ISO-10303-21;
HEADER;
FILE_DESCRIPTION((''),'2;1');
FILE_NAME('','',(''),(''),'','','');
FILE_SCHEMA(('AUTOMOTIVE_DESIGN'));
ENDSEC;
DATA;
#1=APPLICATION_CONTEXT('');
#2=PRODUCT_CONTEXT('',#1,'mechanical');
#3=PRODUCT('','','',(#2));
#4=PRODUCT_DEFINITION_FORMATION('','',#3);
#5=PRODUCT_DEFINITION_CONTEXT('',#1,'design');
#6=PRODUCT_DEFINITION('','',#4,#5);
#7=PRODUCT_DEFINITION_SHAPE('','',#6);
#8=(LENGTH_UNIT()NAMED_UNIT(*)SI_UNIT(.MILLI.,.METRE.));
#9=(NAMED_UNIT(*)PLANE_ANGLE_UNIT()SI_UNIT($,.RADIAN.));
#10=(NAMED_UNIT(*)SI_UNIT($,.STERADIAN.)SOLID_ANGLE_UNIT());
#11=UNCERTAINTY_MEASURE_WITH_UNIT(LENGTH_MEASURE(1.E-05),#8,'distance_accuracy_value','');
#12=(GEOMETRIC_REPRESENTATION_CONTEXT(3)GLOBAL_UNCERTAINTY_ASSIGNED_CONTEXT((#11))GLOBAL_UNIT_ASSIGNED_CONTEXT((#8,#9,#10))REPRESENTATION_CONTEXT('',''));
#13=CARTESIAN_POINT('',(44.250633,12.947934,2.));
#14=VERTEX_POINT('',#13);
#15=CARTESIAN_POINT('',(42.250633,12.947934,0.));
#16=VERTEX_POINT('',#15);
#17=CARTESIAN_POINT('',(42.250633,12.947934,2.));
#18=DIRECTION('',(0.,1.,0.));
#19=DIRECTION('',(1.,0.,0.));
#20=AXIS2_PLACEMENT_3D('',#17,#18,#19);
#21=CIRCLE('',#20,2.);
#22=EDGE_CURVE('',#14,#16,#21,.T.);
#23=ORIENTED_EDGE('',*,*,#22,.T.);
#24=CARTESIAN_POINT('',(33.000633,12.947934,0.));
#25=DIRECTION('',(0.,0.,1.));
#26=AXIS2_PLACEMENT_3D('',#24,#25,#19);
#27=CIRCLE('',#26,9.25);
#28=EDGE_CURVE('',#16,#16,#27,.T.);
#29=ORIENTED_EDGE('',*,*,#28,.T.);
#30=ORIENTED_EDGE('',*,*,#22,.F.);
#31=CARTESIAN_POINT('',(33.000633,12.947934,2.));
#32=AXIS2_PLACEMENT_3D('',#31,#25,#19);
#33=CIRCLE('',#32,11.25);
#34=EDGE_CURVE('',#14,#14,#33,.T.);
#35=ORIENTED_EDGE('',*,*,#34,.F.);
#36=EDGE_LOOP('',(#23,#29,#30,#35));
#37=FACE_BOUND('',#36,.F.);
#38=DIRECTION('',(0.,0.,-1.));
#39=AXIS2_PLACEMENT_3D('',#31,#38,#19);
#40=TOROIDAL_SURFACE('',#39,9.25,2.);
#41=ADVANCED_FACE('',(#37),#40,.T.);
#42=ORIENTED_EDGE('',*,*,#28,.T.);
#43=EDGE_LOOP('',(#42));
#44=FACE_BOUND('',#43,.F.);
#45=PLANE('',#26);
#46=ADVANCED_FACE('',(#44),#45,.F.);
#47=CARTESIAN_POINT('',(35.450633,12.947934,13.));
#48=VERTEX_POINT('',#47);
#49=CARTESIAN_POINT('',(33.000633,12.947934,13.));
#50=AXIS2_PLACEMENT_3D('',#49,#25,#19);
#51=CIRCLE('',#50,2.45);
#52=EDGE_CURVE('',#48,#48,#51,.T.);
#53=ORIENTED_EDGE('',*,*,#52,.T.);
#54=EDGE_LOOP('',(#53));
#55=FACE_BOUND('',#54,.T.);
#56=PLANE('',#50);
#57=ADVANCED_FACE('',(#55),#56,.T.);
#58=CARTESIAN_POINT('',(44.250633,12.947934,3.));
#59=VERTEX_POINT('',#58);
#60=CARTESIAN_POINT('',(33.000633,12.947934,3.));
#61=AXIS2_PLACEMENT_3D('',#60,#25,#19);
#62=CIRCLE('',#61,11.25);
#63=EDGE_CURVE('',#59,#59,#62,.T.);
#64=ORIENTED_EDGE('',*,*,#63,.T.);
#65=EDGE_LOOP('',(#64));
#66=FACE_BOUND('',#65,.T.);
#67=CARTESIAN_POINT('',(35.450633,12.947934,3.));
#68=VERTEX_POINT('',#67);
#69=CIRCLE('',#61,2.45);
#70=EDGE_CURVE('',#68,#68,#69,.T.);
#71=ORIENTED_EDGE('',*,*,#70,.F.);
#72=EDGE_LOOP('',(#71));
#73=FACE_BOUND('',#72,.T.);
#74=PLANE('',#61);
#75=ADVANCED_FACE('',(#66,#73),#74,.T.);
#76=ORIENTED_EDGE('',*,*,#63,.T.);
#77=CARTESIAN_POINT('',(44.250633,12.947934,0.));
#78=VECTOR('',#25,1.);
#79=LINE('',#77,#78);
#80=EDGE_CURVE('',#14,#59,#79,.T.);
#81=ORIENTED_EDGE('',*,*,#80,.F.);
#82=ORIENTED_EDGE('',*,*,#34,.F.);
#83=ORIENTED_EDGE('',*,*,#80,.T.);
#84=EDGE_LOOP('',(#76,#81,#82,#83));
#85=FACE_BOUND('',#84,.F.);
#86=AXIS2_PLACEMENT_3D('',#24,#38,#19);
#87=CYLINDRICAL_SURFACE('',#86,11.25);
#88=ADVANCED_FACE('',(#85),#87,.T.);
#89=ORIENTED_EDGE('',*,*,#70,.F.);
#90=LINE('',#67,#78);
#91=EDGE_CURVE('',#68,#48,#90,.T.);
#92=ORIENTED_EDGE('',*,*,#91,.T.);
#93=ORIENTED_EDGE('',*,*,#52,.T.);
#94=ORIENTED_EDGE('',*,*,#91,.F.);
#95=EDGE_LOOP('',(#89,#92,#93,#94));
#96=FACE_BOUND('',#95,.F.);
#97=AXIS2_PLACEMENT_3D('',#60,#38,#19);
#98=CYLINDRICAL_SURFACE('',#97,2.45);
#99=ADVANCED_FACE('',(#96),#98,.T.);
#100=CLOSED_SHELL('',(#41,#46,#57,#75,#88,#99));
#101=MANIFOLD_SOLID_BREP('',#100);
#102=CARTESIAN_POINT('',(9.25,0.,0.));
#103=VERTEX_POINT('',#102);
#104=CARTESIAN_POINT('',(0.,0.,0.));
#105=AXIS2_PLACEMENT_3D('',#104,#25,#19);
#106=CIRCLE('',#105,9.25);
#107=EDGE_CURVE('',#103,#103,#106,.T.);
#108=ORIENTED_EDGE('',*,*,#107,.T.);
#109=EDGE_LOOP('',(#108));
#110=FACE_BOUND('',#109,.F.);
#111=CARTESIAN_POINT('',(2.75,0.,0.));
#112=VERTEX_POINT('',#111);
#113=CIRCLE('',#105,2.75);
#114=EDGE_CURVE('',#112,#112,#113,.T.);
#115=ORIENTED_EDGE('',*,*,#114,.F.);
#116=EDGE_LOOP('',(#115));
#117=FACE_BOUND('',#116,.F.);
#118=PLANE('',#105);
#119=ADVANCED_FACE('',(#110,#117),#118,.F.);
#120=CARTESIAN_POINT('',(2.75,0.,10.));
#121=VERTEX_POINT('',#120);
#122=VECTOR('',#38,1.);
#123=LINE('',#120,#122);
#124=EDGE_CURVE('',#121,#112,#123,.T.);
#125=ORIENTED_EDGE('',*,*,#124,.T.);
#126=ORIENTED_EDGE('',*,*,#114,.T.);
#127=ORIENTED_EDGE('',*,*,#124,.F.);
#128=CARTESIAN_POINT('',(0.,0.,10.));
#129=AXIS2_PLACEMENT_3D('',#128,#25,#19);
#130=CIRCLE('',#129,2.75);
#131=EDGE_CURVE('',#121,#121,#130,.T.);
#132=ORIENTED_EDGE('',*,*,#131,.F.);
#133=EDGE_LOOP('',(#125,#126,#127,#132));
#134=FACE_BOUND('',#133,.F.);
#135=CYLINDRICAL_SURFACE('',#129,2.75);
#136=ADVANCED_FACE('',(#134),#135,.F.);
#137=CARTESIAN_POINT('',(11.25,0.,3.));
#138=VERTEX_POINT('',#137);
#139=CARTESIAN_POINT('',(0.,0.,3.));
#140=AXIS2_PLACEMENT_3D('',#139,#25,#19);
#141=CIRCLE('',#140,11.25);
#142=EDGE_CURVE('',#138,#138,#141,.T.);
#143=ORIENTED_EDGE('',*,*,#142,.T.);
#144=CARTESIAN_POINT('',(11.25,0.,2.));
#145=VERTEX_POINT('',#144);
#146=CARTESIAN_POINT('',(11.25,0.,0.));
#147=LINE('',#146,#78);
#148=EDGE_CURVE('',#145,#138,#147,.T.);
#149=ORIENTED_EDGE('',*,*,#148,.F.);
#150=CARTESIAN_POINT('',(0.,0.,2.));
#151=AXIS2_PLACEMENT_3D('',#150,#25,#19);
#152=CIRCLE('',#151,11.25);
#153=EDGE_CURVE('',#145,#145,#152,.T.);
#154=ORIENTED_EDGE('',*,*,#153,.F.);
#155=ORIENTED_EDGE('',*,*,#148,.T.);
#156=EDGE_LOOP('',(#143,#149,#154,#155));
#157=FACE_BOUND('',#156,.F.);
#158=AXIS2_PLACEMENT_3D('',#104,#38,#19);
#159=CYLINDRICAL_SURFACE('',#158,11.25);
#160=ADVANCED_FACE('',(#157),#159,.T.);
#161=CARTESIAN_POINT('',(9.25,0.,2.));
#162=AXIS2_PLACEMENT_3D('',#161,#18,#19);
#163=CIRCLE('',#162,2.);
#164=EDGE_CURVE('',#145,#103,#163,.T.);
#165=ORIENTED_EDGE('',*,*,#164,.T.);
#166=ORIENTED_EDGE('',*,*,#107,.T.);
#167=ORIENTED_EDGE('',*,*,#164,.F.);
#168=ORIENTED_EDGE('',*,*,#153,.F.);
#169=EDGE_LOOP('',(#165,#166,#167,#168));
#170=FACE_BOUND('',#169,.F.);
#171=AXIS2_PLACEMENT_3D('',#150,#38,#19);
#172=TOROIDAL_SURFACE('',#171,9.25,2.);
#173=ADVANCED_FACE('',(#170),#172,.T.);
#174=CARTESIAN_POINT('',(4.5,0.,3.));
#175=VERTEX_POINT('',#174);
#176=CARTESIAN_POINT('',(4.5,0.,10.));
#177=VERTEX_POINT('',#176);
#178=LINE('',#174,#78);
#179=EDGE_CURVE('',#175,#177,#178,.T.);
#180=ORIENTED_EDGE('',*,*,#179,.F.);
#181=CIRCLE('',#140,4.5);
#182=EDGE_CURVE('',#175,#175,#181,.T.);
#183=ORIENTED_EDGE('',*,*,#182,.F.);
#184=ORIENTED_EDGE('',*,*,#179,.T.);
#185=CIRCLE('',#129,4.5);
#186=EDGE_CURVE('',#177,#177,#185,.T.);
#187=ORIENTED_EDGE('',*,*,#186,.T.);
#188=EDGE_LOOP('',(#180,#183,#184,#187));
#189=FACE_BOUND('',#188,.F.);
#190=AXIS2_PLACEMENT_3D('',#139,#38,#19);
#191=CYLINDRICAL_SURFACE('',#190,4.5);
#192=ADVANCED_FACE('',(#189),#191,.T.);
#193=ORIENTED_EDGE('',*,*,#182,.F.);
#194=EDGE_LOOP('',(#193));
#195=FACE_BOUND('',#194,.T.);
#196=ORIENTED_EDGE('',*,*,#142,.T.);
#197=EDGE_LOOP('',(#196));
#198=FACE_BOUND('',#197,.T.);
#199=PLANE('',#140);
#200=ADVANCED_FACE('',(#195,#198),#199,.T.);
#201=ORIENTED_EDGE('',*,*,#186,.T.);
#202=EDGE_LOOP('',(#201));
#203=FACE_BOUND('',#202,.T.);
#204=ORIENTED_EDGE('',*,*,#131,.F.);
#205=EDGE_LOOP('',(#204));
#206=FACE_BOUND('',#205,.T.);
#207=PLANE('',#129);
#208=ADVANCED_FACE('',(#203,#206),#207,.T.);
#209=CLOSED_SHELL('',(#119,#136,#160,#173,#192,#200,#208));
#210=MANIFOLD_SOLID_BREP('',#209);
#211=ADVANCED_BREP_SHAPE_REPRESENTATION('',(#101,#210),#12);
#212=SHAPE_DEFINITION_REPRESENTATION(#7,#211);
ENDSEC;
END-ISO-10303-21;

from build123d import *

# Parameters (mm, degrees)
F0_R     = 11.25
F1_DEPTH = 3
F2_R     = 4.5
F3_DEPTH = 7
F4_R     = 2.75
F5_DEPTH = 70.6
F6_R     = 11.25
F7_DEPTH = 3
F8_R     = 2.45
F9_DEPTH = 10
F10_R    = 2
F10_2_R  = 2


with BuildPart() as f1:
    # F0 (on Top) → F1 (new body)
    with BuildSketch(Plane.XY):
        Circle(F0_R)
    extrude(amount=F1_DEPTH)

    # F2 (on face) → F3 (join)
    with BuildSketch(Plane.XY.offset(3)):
        Circle(F2_R)
    extrude(amount=F3_DEPTH)

    # F4 (on face) → F5 (cut)
    with BuildSketch(Plane.XY.offset(10)):
        Circle(F4_R)
    extrude(amount=-F5_DEPTH, mode=Mode.SUBTRACT)

    # F10#2
    f10_2_edges = [f1.edges().sort_by_distance(p)[0] for p in [
        (-11.25, 0, 0),
    ]]
    fillet(f10_2_edges, radius=F10_2_R)


with BuildPart() as f7:
    # F6 (on Top) → F7 (new body)
    with BuildSketch(Plane.XY):
        with Locations((33.000633, 12.947934)):
            Circle(F6_R)
    extrude(amount=F7_DEPTH)

    # F8 (on face) → F9 (join)
    with BuildSketch(Plane.XY.offset(3)):
        with Locations((33.000633, 12.947934)):
            Circle(F8_R)
    extrude(amount=F9_DEPTH)

    # F10
    f10_edges = [f7.edges().sort_by_distance(p)[0] for p in [
        (21.750633, 12.947934, 0),
    ]]
    fillet(f10_edges, radius=F10_R)


solid = Compound([f1.part, f7.part])
